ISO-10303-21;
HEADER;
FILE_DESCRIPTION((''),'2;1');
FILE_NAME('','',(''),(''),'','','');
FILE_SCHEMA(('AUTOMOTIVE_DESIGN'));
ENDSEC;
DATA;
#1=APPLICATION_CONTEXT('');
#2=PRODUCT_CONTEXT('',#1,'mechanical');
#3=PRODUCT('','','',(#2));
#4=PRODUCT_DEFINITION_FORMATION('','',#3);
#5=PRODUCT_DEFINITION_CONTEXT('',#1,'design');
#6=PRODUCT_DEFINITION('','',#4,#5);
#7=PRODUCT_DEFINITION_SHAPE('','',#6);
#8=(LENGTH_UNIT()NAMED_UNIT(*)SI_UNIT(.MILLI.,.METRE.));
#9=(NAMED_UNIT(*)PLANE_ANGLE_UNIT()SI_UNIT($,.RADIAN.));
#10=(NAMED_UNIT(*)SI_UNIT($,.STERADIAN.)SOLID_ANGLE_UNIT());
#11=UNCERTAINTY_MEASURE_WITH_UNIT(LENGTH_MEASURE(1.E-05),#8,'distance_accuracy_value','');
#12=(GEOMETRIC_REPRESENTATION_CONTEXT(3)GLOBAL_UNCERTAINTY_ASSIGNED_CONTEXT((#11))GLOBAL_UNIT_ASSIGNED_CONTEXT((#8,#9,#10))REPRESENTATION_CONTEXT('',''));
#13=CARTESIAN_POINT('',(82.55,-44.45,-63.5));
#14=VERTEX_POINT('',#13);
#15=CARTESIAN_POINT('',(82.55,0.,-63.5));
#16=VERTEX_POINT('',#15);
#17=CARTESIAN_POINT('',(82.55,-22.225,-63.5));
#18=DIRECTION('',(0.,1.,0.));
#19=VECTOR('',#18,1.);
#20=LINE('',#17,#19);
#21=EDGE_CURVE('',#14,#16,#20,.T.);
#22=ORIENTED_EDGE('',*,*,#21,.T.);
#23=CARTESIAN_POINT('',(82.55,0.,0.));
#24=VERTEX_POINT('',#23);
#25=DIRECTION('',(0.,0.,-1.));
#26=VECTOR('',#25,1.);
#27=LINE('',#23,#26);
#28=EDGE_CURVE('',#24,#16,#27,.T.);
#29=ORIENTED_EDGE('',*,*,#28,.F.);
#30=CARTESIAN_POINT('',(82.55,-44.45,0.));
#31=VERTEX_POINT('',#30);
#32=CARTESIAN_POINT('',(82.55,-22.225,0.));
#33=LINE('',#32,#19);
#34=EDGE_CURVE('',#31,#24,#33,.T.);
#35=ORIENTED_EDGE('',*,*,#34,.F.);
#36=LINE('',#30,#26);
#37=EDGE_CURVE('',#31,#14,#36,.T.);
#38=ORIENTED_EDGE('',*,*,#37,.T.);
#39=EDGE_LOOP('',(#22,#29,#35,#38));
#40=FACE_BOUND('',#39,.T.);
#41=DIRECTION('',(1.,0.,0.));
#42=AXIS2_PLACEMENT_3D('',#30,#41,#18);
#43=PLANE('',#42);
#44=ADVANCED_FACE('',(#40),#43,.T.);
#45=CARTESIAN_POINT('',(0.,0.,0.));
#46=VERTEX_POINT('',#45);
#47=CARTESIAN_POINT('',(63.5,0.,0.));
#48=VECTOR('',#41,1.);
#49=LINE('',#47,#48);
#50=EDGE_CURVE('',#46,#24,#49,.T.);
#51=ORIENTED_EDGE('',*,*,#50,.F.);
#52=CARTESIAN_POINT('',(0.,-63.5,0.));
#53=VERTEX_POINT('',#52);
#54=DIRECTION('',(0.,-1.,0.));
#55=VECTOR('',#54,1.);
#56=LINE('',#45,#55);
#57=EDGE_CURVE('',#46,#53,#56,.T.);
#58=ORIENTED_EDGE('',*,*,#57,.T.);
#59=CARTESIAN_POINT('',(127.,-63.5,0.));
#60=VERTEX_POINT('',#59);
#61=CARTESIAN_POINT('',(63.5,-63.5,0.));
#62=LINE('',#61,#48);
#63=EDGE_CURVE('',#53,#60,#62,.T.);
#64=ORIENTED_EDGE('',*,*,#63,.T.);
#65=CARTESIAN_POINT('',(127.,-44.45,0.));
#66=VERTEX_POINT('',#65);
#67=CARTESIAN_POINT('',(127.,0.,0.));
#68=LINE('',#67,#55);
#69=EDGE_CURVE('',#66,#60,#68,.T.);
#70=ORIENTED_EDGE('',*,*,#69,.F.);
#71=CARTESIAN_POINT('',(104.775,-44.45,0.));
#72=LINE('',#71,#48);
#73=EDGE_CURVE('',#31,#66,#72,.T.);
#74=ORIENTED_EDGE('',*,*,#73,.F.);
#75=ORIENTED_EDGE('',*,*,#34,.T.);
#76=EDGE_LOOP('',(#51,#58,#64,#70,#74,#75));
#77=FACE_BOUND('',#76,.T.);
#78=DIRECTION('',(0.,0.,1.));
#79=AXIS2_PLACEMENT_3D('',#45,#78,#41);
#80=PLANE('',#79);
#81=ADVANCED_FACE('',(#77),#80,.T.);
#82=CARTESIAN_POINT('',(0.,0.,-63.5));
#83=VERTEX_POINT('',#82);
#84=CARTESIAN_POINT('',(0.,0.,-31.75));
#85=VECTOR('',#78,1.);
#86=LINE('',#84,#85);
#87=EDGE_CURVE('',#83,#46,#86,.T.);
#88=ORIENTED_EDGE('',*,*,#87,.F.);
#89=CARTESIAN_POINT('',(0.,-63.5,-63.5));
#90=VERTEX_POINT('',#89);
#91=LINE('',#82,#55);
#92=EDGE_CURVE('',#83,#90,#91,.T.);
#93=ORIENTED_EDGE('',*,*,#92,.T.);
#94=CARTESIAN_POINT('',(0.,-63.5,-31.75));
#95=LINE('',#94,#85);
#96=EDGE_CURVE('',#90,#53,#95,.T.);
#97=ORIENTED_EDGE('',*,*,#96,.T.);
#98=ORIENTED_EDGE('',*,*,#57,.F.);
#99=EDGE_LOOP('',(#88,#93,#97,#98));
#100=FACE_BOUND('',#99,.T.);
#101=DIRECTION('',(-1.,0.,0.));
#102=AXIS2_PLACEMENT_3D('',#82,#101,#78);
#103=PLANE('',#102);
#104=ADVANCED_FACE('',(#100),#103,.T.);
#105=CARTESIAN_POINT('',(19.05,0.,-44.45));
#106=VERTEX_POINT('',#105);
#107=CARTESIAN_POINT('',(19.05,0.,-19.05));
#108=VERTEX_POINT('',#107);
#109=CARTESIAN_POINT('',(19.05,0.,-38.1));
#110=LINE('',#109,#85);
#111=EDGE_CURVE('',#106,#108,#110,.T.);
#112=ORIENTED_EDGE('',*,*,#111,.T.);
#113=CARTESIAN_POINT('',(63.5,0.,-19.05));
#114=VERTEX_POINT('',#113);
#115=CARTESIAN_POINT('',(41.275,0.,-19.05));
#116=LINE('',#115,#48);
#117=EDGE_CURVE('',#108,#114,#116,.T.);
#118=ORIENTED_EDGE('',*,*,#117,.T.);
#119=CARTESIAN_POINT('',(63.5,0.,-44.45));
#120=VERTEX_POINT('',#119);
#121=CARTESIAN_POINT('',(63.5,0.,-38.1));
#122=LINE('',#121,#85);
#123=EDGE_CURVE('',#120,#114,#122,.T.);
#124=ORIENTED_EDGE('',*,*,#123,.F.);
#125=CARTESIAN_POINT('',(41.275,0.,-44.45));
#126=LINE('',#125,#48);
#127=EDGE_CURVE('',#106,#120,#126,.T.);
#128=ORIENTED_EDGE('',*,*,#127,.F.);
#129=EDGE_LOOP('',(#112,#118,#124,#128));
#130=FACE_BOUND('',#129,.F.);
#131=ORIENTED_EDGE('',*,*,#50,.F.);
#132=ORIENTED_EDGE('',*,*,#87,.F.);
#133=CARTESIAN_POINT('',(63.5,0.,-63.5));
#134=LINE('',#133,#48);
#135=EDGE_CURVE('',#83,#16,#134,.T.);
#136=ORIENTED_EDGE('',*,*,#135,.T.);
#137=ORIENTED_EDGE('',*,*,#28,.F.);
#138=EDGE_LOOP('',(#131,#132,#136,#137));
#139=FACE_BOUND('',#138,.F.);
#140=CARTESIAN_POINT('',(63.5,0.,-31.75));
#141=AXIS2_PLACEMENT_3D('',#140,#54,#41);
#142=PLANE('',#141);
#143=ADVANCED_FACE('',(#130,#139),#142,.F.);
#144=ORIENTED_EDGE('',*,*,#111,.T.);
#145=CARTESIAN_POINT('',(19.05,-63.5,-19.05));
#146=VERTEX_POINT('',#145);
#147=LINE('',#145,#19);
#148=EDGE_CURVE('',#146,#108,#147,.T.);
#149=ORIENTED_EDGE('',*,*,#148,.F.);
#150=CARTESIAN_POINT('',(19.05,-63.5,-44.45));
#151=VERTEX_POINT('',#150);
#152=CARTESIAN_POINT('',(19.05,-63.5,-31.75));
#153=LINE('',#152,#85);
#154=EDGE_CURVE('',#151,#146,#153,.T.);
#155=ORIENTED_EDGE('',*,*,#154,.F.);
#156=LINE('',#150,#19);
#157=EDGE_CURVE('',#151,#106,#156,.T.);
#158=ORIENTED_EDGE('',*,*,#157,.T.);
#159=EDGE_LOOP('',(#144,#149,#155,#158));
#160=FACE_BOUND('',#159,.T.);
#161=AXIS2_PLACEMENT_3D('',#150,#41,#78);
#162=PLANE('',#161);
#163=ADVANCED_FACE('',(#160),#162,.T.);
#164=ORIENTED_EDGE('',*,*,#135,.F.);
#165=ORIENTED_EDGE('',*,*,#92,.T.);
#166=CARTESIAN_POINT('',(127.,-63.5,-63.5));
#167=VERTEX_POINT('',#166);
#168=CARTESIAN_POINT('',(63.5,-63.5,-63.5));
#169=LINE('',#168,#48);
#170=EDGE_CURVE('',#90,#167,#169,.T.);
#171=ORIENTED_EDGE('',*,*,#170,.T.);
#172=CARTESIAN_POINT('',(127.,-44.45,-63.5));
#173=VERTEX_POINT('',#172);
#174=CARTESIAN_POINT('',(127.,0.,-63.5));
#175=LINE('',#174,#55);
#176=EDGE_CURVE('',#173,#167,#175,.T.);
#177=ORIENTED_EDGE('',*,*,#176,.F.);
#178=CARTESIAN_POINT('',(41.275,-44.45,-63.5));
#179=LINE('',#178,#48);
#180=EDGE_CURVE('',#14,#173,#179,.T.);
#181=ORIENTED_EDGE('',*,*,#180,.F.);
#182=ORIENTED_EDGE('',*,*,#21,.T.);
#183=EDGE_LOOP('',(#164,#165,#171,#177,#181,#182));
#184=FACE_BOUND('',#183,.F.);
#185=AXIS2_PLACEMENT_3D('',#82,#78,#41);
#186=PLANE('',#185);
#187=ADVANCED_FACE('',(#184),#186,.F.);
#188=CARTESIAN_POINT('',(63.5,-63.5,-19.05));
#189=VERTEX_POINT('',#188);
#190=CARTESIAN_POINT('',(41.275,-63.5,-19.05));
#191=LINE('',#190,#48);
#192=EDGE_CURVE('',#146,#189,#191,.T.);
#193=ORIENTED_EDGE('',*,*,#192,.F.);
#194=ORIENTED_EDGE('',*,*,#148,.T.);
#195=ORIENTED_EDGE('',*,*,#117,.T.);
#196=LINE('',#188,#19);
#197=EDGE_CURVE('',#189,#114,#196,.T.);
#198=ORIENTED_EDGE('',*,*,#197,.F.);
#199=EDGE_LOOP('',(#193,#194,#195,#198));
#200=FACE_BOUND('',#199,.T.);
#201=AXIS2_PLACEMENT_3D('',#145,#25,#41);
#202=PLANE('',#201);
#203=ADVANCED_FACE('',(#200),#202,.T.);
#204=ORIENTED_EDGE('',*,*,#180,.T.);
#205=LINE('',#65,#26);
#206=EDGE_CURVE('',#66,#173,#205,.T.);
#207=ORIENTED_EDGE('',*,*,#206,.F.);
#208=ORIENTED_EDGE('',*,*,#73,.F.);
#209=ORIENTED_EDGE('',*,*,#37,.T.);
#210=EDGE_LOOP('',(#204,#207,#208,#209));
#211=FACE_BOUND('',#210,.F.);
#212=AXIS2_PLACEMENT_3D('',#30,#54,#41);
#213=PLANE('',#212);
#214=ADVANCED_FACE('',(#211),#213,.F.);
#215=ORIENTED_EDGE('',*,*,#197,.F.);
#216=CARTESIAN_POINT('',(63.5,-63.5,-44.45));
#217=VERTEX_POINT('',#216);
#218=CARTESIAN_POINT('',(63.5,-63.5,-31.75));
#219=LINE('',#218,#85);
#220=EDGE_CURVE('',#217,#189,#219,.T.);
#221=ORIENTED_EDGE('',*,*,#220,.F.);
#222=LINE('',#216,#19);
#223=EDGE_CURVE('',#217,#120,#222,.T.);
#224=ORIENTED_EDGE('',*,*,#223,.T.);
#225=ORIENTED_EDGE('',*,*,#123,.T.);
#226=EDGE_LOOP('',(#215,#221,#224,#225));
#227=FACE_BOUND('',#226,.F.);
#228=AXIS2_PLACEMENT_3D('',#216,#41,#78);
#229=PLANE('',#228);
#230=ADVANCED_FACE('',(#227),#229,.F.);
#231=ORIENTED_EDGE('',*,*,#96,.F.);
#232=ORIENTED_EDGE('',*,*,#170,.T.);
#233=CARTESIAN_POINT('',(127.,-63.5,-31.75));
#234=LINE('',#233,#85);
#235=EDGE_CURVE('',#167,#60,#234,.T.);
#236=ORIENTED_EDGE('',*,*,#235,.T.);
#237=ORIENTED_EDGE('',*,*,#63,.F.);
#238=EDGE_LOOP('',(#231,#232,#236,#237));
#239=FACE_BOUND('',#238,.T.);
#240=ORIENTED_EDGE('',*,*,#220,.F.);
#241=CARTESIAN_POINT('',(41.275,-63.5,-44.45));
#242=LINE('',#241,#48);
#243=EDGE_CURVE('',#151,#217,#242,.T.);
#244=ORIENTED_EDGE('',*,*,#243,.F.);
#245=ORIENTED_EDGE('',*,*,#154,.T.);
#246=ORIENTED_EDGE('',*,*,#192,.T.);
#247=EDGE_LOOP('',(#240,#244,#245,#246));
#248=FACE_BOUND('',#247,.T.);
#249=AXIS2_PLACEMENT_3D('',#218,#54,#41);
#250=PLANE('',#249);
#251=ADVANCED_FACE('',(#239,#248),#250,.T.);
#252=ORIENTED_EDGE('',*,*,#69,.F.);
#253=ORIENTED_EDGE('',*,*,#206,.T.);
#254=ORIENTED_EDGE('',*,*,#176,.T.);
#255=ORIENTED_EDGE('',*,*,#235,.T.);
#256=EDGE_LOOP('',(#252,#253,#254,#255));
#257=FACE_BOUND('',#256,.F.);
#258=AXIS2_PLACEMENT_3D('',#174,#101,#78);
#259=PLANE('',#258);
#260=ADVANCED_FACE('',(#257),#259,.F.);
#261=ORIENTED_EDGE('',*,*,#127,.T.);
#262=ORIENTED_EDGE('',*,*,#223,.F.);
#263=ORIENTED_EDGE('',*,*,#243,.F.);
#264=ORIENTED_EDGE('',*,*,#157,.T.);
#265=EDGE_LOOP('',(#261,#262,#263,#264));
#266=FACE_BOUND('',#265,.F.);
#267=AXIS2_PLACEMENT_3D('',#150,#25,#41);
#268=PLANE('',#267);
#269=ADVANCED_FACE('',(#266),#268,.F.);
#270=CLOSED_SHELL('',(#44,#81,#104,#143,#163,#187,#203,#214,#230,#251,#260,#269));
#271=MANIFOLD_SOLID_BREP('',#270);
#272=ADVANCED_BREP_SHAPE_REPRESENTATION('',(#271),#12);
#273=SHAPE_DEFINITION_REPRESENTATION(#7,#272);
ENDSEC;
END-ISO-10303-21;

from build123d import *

# Parameters (mm, degrees)
F0_W     = 127
F0_H     = 63.5
F1_DEPTH = 63.5
F2_W     = 44.45
F2_H     = 25.4
F3_DEPTH = 63.501
F4_W     = 44.45
F4_H     = 44.45
F5_DEPTH = 63.501


with BuildPart() as f1:
    # F0 (on Front) → F1 (new body)
    with BuildSketch(Plane.XZ):
        with Locations((63.5, -31.75)):
            Rectangle(F0_W, F0_H)
    extrude(amount=F1_DEPTH)

    # F2 (on face) → F3 (cut, through all)
    with BuildSketch(Plane.XZ.offset(63.5)):
        with Locations((41.275, -31.75)):
            Rectangle(F2_W, F2_H)
    extrude(amount=-F3_DEPTH, mode=Mode.SUBTRACT)

    # F4 (on face) → F5 (cut, through all)
    with BuildSketch(Plane.XY):
        with Locations((104.775, -22.225)):
            Rectangle(F4_W, F4_H)
    extrude(amount=-F5_DEPTH, mode=Mode.SUBTRACT)


solid = f1.part
